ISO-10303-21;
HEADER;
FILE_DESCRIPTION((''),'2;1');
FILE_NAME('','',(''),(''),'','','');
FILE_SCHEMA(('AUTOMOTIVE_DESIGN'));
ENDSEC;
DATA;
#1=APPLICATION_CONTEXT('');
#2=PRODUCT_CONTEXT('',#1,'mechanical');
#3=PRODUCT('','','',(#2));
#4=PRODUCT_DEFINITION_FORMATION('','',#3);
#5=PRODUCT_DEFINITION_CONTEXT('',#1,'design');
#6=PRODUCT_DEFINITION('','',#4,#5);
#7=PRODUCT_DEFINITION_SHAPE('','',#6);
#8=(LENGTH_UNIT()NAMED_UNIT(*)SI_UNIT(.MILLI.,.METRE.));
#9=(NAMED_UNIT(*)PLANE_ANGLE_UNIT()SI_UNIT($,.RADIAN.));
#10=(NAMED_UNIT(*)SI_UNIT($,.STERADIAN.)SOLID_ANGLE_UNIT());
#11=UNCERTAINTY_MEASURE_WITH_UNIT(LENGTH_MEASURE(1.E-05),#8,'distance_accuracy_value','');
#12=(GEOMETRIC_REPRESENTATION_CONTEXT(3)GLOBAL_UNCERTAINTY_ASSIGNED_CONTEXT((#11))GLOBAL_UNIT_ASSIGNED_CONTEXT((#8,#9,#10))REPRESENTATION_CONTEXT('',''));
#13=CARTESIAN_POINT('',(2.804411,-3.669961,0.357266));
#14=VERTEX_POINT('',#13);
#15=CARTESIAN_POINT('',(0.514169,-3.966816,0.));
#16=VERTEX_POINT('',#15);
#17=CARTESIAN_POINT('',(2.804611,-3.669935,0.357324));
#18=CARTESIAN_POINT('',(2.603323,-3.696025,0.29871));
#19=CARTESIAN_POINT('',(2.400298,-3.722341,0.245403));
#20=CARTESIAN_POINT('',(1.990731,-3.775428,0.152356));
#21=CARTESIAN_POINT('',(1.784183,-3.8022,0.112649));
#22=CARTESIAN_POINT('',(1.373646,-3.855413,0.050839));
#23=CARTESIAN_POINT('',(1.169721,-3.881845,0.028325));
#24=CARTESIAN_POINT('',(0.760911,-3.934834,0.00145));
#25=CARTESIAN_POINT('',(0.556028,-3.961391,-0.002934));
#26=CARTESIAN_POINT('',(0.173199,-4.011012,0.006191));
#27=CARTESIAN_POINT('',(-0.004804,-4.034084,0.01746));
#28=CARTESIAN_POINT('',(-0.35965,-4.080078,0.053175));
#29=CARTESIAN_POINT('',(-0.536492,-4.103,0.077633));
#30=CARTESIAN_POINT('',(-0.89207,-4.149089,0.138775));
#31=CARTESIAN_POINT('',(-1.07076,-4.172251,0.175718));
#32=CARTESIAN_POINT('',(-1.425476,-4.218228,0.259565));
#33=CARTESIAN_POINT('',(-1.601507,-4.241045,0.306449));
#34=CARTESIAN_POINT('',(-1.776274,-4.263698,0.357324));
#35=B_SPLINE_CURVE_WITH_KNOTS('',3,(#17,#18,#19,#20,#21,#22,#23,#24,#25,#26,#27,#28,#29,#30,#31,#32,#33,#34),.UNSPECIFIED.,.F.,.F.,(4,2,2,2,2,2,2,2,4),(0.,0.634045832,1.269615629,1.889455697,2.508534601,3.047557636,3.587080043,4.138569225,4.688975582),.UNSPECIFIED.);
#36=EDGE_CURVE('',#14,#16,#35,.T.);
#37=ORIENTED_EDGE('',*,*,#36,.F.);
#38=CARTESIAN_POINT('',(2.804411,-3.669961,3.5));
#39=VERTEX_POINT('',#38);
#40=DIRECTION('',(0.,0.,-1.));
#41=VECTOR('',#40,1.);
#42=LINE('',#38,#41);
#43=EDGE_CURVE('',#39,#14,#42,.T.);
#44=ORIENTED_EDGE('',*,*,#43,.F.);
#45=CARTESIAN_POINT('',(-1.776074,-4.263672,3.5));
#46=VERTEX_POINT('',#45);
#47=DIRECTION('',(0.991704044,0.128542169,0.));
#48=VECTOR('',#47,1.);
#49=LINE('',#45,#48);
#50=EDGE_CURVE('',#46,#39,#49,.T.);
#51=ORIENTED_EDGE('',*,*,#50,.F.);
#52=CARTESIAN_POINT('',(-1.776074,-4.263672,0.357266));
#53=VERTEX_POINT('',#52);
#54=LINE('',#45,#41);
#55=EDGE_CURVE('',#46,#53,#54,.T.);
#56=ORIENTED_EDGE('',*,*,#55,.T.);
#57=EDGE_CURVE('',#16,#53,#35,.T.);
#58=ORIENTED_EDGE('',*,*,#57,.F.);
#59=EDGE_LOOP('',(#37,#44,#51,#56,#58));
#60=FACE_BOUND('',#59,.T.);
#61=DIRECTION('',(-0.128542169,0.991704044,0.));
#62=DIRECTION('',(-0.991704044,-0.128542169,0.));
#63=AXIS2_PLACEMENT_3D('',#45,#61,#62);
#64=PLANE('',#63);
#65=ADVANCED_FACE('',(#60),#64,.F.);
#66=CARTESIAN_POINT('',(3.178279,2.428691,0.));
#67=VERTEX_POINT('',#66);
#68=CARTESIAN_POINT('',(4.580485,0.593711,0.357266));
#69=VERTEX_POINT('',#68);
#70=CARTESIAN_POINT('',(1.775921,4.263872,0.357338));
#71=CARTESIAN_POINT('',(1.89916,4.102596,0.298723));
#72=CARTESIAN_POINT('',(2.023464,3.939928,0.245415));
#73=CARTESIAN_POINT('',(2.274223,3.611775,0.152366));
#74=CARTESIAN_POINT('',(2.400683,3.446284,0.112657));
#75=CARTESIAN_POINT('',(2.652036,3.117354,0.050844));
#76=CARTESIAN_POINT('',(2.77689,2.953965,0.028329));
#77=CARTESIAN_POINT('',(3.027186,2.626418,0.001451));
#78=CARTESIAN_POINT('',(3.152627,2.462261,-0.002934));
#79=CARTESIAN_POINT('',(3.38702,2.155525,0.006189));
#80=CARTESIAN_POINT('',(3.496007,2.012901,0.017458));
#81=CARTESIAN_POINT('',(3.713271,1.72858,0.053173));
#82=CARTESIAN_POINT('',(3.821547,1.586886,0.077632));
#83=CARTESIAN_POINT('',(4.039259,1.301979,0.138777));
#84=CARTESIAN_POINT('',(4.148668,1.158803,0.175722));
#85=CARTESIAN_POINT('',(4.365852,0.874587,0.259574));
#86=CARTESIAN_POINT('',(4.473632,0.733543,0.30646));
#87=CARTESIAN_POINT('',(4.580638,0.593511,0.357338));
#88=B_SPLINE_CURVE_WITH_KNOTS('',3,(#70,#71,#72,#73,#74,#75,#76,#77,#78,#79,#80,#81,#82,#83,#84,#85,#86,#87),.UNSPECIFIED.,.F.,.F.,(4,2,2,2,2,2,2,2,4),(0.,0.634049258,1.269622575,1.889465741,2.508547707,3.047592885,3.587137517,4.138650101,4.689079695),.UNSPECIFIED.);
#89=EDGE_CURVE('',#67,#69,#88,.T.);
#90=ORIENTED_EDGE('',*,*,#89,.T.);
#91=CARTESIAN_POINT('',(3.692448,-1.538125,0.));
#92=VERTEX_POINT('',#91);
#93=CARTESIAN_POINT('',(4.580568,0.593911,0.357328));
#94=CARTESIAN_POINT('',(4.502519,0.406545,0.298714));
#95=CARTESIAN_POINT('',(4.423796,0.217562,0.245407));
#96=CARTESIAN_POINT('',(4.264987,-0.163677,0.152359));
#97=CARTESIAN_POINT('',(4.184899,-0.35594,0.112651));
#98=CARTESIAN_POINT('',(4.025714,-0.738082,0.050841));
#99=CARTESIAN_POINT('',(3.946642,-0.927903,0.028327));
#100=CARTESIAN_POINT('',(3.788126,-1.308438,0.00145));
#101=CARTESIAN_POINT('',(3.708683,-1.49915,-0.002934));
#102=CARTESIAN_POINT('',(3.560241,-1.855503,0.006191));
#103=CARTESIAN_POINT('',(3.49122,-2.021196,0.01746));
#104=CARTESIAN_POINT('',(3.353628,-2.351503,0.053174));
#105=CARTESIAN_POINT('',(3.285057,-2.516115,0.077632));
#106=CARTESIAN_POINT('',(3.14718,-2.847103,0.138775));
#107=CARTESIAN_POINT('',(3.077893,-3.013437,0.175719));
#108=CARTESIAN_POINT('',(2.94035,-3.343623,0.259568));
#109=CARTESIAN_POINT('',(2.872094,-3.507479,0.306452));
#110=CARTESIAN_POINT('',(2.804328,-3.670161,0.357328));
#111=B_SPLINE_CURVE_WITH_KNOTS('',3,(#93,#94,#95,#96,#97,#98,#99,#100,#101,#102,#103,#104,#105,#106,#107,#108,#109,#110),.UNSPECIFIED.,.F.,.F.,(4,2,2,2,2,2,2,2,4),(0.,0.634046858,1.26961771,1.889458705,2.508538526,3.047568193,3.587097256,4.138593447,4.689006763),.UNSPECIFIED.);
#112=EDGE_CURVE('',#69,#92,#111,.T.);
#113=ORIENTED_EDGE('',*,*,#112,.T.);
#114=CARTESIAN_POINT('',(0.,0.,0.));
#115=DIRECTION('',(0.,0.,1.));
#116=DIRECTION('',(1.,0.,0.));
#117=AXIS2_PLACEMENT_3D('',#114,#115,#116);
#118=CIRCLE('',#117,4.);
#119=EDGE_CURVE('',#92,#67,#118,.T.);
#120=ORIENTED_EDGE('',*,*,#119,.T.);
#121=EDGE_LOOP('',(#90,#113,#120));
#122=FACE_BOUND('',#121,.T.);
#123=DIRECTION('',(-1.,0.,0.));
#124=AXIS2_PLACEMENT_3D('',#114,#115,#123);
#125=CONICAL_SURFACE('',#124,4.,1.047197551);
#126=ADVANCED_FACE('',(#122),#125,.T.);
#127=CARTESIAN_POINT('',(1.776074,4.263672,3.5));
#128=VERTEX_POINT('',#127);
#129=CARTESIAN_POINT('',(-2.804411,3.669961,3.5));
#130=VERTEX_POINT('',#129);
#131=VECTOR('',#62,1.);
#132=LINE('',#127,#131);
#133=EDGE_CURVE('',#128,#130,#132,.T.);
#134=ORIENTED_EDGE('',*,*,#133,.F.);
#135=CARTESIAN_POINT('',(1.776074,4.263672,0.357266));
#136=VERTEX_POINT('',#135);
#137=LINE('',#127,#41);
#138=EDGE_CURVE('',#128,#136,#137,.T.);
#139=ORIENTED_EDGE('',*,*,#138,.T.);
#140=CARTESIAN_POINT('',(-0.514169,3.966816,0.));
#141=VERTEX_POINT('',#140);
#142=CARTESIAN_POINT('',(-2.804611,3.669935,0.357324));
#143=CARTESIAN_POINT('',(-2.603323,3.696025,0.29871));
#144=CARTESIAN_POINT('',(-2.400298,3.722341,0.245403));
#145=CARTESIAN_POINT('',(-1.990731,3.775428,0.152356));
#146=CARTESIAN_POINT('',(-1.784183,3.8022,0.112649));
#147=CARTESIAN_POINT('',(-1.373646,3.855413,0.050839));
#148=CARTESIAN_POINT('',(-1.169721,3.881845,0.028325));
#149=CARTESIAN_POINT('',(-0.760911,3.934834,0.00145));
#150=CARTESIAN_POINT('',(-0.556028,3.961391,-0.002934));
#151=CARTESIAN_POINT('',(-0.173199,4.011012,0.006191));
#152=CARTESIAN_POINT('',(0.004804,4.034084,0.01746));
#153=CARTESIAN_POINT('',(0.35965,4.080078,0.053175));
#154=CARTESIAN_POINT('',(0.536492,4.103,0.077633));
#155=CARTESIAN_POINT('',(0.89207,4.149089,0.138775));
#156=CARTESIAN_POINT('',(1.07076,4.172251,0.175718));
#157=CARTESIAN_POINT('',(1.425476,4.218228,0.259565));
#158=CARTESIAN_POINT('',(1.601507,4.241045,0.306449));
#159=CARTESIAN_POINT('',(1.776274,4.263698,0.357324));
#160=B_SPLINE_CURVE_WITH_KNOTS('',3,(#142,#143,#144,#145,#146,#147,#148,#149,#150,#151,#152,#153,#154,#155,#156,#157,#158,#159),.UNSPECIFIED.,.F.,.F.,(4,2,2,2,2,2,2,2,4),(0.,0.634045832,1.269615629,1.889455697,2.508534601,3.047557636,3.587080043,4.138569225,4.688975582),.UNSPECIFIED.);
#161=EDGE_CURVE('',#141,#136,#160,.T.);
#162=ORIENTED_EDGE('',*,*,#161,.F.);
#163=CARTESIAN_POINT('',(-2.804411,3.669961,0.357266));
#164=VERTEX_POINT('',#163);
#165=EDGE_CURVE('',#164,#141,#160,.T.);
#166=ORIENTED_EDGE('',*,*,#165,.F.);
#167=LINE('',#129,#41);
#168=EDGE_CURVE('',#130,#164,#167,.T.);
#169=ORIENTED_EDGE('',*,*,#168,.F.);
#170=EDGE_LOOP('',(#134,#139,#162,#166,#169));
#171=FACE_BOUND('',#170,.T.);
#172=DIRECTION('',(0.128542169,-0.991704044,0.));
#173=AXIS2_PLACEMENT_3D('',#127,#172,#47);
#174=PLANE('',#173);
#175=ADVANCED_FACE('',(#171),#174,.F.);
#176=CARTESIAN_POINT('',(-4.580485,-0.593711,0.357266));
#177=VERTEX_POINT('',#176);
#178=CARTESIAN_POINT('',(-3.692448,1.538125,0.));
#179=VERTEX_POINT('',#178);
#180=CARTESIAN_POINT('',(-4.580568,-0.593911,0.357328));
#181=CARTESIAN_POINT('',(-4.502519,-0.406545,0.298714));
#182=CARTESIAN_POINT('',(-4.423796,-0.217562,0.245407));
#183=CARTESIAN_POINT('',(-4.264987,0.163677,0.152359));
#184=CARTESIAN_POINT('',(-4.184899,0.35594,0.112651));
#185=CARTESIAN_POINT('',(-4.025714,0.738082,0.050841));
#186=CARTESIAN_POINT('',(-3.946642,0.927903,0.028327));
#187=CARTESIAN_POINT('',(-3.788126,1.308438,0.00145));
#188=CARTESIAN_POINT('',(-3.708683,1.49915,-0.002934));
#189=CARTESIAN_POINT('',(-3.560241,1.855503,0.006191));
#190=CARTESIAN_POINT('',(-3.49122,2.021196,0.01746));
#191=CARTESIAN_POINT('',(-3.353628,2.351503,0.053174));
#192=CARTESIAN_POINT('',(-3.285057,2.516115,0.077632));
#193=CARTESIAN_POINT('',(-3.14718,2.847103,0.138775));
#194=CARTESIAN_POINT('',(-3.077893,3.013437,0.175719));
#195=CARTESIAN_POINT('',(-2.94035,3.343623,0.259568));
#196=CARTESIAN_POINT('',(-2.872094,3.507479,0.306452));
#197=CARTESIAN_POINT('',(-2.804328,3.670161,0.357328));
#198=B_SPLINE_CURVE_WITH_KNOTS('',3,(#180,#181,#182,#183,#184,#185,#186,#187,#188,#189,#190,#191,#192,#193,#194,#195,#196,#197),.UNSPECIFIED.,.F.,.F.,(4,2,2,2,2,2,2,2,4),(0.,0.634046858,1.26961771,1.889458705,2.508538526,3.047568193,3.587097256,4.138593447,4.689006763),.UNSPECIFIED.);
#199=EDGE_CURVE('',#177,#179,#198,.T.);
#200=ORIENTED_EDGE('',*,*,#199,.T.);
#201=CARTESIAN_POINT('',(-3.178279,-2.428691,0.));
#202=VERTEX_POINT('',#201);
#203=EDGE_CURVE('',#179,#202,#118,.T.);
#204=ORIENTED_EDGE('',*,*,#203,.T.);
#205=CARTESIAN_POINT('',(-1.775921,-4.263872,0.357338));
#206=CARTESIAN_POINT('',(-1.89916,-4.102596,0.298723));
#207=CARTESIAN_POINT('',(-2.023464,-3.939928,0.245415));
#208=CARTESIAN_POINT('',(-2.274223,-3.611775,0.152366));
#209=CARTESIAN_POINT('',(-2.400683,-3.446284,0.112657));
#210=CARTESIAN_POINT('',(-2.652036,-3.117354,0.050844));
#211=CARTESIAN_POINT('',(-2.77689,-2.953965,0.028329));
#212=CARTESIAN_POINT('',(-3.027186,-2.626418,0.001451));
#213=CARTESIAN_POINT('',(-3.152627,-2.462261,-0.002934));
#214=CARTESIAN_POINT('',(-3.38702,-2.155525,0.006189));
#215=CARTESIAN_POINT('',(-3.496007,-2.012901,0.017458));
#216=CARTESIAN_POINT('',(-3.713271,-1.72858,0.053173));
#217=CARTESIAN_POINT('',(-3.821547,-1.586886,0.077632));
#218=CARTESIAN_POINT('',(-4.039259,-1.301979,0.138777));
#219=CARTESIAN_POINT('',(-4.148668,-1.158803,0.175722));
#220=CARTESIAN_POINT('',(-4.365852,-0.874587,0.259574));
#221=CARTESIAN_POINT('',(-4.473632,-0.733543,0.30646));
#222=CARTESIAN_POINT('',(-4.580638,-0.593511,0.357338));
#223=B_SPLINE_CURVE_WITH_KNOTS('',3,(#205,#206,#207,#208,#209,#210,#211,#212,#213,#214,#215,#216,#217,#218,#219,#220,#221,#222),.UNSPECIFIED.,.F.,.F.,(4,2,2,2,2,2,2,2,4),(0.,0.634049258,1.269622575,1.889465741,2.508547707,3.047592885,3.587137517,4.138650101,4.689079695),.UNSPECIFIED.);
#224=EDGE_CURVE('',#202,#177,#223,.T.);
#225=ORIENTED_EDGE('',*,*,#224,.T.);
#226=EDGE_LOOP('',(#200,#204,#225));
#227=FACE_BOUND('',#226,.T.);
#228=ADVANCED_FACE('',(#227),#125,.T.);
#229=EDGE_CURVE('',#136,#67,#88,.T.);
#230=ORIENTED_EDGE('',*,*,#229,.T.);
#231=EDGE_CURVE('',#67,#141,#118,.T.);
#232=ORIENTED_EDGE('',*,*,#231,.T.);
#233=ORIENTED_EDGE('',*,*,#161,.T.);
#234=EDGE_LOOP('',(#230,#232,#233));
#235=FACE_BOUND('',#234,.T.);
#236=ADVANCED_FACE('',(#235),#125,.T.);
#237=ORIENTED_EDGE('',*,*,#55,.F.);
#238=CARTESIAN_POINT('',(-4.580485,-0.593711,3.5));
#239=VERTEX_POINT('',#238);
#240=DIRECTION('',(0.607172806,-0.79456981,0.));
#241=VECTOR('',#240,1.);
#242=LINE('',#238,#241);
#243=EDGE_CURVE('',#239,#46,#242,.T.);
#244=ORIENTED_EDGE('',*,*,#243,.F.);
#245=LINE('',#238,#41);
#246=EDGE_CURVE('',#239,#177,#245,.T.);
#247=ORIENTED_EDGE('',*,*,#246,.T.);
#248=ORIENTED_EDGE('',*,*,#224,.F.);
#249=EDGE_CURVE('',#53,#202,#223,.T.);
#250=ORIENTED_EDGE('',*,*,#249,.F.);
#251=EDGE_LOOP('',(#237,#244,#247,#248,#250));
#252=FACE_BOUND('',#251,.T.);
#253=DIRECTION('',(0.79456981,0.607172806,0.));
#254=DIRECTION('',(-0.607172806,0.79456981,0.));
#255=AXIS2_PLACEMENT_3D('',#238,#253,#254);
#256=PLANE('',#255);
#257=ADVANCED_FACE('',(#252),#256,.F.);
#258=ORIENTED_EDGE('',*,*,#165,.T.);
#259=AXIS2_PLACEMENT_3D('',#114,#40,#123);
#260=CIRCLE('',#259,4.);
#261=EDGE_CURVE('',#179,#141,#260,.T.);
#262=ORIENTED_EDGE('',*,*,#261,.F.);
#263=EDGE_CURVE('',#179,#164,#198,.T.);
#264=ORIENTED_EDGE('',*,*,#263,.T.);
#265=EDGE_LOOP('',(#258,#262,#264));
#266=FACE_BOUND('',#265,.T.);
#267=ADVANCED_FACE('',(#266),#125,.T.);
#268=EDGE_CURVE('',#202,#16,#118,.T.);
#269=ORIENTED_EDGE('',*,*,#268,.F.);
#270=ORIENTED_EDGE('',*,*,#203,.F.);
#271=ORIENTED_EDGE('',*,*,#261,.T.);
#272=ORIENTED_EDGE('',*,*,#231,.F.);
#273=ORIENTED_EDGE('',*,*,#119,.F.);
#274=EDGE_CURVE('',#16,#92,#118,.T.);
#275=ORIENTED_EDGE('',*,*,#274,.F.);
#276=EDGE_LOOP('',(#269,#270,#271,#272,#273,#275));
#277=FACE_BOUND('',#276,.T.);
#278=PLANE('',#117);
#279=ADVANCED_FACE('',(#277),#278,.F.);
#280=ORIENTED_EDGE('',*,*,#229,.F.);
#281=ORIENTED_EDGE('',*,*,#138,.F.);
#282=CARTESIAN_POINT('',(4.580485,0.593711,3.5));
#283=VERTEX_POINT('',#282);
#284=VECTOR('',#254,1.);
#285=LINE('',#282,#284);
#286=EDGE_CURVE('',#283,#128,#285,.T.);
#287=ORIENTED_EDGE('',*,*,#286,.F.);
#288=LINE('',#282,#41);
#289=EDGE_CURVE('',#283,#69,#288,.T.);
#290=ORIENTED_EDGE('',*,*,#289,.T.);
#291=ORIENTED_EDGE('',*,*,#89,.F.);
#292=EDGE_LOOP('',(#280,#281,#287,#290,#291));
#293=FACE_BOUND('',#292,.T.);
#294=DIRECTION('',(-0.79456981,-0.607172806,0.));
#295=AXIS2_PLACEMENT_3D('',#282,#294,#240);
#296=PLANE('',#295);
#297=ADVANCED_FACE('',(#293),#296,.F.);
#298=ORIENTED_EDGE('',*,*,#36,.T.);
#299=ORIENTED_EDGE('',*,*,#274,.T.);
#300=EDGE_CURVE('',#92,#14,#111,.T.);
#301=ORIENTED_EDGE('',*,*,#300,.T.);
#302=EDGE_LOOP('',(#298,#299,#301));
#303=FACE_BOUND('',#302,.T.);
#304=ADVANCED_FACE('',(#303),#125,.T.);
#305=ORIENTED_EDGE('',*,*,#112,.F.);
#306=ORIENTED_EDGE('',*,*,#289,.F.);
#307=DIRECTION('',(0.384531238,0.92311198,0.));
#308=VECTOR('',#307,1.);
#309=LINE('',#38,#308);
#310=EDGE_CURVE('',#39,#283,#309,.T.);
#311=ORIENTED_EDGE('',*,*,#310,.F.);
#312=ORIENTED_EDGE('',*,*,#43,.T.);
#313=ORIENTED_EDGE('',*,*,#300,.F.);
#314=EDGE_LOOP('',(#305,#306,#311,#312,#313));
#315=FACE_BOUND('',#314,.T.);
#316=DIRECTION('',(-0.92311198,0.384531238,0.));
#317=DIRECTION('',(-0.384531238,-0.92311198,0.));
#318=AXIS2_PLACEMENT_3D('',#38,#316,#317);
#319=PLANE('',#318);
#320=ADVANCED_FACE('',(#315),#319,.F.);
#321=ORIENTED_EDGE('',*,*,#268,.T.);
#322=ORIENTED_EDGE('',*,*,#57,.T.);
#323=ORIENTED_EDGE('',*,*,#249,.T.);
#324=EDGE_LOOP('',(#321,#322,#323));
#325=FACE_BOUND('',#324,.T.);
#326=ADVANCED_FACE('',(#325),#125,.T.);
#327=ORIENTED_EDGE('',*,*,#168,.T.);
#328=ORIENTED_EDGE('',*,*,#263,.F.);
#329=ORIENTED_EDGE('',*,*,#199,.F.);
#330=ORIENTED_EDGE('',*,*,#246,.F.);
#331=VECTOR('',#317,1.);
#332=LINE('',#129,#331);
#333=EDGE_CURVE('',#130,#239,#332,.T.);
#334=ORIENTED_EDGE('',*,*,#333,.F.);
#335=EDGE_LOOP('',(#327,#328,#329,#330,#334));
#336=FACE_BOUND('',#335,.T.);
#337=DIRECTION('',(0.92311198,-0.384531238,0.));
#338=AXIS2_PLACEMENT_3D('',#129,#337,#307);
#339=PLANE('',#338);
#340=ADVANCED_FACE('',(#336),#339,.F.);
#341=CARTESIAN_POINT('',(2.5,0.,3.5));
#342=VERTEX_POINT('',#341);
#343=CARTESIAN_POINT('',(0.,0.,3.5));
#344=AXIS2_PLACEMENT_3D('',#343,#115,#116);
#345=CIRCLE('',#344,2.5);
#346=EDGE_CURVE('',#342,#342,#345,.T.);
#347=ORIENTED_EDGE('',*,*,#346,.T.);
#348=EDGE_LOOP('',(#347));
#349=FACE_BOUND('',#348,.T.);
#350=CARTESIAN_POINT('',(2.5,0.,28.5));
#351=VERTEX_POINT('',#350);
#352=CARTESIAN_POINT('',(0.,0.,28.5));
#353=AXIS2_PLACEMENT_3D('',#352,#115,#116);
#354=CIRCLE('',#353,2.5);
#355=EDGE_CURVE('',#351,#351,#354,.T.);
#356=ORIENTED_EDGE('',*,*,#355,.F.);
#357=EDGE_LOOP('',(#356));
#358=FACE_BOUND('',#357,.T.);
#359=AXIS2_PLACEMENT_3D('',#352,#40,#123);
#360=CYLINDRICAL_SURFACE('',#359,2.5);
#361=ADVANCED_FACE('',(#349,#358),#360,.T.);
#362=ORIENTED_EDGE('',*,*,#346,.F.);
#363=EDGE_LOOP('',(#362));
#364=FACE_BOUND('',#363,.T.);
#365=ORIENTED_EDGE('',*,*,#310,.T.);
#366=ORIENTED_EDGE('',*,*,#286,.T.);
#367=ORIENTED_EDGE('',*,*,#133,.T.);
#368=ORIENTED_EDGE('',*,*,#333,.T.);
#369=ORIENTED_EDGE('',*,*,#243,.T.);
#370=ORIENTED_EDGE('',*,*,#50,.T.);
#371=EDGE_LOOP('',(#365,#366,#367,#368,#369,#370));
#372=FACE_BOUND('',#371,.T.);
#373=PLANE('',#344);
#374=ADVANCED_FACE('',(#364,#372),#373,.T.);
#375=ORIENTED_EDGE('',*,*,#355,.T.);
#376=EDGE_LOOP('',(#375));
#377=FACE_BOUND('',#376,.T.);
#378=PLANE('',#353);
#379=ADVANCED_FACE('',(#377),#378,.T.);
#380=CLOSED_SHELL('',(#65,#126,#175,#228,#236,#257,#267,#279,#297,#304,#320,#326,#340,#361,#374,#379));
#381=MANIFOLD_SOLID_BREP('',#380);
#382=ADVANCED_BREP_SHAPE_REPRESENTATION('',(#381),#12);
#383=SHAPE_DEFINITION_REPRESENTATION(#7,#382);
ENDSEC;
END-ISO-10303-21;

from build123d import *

# Parameters (mm, degrees)
BOSS_EXTRUDE1_DEPTH = 3.5
SKETCH2_OUTSIDE_W   = 31.08
SKETCH2_OUTSIDE_H   = 30.448
SKETCH2_OUTSIDE_R   = 4
CUT_EXTRUDE1_DEPTH  = 5
CUT_EXTRUDE1_DRAFT  = -60
SKETCH3_R           = 2.5
BOSS_EXTRUDE2_DEPTH = 25


with BuildPart() as part:
    # Sketch1 → Boss-Extrude1 (new body)
    with BuildSketch(Plane.XY):
        Polygon((1.77607371, 4.2636716), (-2.804411064, 3.669960751), (-4.580484774, -0.593710848), (-1.77607371, -4.2636716), (2.804411064, -3.669960751), (4.580484774, 0.593710848), align=None)
    extrude(amount=BOSS_EXTRUDE1_DEPTH)


with BuildPart() as cut_extrude1_tool:
    # Sketch2 outside → Cut-Extrude1 (with draft: the straight prism first)
    with BuildSketch(Plane(origin=(0, 0, 0), x_dir=(-1, 0, 0), z_dir=(0, 0, -1))):
        Rectangle(SKETCH2_OUTSIDE_W, SKETCH2_OUTSIDE_H)
        Circle(SKETCH2_OUTSIDE_R, mode=Mode.SUBTRACT)
    extrude(amount=-CUT_EXTRUDE1_DEPTH)
    # Cut-Extrude1: the draft: its side faces are tilted about the plane it starts from
    cut_extrude1_sides = [cut_extrude1_tool.faces().sort_by_distance(p)[0] for p in [
        (0, -15.224, 2.5),
        (-15.54, 0, 2.5),
        (0, 15.224, 2.5),
        (15.54, 0, 2.5),
        (4, 0, 2.5),
    ]]
    draft(cut_extrude1_sides, Plane(origin=(0, 0, 0), x_dir=(-1, 0, 0), z_dir=(0, 0, -1)), CUT_EXTRUDE1_DRAFT)


with BuildPart() as part_1:
    add(part.part)

    # Cut-Extrude1: cut by cut_extrude1_tool
    add(cut_extrude1_tool.part, mode=Mode.SUBTRACT)

    # Sketch3 → Boss-Extrude2 (add)
    with BuildSketch(Plane.XY.offset(3.5)):
        Circle(SKETCH3_R)
    extrude(amount=BOSS_EXTRUDE2_DEPTH)


solid = part_1.part
